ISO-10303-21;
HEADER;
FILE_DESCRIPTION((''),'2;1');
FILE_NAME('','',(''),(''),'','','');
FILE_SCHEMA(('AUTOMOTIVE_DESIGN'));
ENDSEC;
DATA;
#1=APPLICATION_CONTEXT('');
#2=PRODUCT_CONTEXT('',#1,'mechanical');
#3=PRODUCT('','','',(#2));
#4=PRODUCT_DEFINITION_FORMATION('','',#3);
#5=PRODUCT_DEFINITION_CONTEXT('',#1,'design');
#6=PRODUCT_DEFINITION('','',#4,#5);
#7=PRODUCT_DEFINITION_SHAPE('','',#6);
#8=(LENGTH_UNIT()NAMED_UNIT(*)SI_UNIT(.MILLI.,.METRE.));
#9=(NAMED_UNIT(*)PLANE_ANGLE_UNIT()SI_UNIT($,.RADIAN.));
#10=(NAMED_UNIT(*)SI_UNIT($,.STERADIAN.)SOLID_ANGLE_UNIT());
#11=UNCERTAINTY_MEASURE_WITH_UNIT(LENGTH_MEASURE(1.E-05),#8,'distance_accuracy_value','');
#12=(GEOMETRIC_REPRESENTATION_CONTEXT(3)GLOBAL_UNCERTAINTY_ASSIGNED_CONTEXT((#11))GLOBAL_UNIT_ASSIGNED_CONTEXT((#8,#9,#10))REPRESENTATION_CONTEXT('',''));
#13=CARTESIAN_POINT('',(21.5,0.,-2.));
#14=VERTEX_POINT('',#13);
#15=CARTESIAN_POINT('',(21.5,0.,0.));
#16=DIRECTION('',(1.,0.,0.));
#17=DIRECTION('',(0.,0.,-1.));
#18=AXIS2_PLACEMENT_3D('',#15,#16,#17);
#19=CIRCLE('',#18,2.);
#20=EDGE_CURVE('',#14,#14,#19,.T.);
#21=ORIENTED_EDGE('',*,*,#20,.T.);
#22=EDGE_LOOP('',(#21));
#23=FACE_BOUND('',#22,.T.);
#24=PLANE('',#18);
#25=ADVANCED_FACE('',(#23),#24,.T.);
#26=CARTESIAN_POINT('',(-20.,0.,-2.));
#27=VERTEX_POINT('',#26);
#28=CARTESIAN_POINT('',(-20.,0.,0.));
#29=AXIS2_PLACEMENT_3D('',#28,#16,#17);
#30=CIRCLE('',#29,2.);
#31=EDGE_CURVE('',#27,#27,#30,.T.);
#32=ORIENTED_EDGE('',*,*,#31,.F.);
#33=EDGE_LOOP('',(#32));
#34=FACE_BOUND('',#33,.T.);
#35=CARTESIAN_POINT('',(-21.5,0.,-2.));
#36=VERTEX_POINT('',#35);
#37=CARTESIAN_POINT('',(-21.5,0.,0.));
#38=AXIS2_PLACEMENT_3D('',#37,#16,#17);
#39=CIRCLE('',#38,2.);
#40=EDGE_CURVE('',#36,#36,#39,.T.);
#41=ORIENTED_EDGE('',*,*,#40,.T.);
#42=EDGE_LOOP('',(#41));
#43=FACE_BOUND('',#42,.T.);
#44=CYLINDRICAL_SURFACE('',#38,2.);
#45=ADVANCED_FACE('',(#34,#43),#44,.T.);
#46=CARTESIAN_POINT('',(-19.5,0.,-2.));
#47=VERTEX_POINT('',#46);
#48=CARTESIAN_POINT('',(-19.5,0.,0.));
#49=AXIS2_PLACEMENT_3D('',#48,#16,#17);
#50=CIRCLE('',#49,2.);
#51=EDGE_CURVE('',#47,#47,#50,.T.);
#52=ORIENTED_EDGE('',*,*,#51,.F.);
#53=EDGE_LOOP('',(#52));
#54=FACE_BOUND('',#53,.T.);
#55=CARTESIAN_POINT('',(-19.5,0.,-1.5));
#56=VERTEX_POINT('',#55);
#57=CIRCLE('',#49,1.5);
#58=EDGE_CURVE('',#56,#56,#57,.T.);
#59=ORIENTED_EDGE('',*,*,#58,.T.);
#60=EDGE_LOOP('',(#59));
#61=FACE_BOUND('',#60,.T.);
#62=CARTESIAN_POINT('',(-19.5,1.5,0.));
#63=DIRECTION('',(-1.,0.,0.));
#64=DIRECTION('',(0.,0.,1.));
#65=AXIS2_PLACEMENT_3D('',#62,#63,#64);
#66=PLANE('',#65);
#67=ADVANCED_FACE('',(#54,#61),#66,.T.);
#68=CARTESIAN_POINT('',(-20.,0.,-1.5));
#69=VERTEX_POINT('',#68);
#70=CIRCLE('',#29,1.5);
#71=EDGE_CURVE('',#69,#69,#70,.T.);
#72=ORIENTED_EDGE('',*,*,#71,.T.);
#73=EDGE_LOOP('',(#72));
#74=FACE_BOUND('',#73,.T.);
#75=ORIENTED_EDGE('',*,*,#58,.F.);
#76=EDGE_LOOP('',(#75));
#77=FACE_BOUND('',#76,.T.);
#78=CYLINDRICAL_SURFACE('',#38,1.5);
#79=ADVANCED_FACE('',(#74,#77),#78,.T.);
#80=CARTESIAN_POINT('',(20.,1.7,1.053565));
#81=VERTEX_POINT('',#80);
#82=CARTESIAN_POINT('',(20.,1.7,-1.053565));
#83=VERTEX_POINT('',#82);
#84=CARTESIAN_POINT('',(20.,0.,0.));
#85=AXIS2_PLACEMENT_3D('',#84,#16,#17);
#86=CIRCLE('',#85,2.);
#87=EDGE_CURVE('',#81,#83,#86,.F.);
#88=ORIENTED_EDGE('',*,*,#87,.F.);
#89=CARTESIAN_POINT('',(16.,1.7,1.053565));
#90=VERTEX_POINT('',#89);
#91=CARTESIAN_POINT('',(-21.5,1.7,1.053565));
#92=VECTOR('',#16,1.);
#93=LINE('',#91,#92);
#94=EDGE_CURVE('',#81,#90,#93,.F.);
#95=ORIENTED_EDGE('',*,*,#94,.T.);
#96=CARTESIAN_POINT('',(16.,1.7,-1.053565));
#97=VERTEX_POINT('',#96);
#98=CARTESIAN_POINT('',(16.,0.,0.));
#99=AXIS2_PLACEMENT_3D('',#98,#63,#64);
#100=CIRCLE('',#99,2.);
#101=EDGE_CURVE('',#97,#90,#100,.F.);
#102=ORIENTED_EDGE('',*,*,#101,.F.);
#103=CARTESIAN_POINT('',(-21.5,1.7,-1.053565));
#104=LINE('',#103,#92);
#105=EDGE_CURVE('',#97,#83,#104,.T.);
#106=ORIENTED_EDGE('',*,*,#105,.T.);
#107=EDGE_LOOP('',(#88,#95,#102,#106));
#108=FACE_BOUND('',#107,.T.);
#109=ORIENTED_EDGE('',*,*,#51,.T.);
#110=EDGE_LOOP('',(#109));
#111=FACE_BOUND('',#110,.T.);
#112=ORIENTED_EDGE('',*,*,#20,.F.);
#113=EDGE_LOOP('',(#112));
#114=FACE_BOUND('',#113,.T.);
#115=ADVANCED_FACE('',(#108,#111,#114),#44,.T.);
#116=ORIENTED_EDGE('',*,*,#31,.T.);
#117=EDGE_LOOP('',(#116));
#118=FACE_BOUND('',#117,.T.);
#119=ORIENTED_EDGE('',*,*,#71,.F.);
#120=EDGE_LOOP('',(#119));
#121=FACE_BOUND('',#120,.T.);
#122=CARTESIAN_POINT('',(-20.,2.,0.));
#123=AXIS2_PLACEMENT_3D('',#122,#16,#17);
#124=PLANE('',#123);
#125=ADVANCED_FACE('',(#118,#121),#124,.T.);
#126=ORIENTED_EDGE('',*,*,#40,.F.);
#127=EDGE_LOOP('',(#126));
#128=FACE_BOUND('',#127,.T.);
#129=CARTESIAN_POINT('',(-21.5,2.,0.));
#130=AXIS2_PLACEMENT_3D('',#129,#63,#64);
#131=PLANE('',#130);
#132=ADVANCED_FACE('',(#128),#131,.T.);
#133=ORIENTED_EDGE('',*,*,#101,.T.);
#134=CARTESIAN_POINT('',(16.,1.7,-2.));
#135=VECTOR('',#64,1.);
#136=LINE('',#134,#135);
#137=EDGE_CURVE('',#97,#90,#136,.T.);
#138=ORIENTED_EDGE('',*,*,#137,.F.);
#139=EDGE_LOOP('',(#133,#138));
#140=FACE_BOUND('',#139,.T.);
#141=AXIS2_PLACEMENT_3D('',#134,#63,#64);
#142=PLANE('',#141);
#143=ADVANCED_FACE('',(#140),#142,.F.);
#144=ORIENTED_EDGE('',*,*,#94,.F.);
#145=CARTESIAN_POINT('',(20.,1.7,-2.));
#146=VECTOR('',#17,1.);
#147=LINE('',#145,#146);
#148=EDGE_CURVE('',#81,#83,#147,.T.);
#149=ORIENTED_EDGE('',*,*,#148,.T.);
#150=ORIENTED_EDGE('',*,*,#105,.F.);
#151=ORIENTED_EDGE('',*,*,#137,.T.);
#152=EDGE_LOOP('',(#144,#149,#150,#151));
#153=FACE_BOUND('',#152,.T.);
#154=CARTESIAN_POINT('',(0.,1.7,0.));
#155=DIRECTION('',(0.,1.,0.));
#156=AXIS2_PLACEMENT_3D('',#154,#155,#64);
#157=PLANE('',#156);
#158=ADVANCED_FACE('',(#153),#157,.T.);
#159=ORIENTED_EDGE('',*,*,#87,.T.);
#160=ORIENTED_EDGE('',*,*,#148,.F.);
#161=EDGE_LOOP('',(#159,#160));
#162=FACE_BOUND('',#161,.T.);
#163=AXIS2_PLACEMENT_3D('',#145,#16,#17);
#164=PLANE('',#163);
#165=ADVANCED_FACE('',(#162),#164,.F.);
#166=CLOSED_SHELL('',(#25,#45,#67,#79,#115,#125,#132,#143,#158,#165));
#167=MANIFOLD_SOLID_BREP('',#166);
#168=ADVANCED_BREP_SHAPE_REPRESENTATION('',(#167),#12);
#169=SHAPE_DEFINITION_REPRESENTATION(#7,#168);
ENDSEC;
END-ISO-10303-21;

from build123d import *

# Parameters (mm, degrees)
CUT_EXTRUDE1_START = 2
SKETCH2_W          = 4
SKETCH2_H          = 4
CUT_EXTRUDE1_DEPTH = 0.3


with BuildPart() as part:
    # Sketch1 → Revolve1 (revolve)
    with BuildSketch(Plane.XY, mode=Mode.PRIVATE) as revolve1_sk:
        Polygon((21.5, 0), (-21.5, 0), (-21.5, 2), (-20, 2), (-20, 1.5), (-19.5, 1.5), (-19.5, 2), (21.5, 2), align=None)
    revolve(revolve1_sk.sketch.rotate(Axis((-21.5, 0, 0), (-1, 0, 0)), 90), axis=Axis((-21.5, 0, 0), (-1, 0, 0)))

    # Sketch2 → Cut-Extrude1 (cut)
    with BuildSketch(Plane(origin=(0, 0, 0), x_dir=(1, 0, 0), z_dir=(0, 1, 0)).offset(CUT_EXTRUDE1_START)):
        with Locations((18, 0)):
            Rectangle(SKETCH2_W, SKETCH2_H)
    extrude(amount=-CUT_EXTRUDE1_DEPTH, mode=Mode.SUBTRACT)


solid = part.part
